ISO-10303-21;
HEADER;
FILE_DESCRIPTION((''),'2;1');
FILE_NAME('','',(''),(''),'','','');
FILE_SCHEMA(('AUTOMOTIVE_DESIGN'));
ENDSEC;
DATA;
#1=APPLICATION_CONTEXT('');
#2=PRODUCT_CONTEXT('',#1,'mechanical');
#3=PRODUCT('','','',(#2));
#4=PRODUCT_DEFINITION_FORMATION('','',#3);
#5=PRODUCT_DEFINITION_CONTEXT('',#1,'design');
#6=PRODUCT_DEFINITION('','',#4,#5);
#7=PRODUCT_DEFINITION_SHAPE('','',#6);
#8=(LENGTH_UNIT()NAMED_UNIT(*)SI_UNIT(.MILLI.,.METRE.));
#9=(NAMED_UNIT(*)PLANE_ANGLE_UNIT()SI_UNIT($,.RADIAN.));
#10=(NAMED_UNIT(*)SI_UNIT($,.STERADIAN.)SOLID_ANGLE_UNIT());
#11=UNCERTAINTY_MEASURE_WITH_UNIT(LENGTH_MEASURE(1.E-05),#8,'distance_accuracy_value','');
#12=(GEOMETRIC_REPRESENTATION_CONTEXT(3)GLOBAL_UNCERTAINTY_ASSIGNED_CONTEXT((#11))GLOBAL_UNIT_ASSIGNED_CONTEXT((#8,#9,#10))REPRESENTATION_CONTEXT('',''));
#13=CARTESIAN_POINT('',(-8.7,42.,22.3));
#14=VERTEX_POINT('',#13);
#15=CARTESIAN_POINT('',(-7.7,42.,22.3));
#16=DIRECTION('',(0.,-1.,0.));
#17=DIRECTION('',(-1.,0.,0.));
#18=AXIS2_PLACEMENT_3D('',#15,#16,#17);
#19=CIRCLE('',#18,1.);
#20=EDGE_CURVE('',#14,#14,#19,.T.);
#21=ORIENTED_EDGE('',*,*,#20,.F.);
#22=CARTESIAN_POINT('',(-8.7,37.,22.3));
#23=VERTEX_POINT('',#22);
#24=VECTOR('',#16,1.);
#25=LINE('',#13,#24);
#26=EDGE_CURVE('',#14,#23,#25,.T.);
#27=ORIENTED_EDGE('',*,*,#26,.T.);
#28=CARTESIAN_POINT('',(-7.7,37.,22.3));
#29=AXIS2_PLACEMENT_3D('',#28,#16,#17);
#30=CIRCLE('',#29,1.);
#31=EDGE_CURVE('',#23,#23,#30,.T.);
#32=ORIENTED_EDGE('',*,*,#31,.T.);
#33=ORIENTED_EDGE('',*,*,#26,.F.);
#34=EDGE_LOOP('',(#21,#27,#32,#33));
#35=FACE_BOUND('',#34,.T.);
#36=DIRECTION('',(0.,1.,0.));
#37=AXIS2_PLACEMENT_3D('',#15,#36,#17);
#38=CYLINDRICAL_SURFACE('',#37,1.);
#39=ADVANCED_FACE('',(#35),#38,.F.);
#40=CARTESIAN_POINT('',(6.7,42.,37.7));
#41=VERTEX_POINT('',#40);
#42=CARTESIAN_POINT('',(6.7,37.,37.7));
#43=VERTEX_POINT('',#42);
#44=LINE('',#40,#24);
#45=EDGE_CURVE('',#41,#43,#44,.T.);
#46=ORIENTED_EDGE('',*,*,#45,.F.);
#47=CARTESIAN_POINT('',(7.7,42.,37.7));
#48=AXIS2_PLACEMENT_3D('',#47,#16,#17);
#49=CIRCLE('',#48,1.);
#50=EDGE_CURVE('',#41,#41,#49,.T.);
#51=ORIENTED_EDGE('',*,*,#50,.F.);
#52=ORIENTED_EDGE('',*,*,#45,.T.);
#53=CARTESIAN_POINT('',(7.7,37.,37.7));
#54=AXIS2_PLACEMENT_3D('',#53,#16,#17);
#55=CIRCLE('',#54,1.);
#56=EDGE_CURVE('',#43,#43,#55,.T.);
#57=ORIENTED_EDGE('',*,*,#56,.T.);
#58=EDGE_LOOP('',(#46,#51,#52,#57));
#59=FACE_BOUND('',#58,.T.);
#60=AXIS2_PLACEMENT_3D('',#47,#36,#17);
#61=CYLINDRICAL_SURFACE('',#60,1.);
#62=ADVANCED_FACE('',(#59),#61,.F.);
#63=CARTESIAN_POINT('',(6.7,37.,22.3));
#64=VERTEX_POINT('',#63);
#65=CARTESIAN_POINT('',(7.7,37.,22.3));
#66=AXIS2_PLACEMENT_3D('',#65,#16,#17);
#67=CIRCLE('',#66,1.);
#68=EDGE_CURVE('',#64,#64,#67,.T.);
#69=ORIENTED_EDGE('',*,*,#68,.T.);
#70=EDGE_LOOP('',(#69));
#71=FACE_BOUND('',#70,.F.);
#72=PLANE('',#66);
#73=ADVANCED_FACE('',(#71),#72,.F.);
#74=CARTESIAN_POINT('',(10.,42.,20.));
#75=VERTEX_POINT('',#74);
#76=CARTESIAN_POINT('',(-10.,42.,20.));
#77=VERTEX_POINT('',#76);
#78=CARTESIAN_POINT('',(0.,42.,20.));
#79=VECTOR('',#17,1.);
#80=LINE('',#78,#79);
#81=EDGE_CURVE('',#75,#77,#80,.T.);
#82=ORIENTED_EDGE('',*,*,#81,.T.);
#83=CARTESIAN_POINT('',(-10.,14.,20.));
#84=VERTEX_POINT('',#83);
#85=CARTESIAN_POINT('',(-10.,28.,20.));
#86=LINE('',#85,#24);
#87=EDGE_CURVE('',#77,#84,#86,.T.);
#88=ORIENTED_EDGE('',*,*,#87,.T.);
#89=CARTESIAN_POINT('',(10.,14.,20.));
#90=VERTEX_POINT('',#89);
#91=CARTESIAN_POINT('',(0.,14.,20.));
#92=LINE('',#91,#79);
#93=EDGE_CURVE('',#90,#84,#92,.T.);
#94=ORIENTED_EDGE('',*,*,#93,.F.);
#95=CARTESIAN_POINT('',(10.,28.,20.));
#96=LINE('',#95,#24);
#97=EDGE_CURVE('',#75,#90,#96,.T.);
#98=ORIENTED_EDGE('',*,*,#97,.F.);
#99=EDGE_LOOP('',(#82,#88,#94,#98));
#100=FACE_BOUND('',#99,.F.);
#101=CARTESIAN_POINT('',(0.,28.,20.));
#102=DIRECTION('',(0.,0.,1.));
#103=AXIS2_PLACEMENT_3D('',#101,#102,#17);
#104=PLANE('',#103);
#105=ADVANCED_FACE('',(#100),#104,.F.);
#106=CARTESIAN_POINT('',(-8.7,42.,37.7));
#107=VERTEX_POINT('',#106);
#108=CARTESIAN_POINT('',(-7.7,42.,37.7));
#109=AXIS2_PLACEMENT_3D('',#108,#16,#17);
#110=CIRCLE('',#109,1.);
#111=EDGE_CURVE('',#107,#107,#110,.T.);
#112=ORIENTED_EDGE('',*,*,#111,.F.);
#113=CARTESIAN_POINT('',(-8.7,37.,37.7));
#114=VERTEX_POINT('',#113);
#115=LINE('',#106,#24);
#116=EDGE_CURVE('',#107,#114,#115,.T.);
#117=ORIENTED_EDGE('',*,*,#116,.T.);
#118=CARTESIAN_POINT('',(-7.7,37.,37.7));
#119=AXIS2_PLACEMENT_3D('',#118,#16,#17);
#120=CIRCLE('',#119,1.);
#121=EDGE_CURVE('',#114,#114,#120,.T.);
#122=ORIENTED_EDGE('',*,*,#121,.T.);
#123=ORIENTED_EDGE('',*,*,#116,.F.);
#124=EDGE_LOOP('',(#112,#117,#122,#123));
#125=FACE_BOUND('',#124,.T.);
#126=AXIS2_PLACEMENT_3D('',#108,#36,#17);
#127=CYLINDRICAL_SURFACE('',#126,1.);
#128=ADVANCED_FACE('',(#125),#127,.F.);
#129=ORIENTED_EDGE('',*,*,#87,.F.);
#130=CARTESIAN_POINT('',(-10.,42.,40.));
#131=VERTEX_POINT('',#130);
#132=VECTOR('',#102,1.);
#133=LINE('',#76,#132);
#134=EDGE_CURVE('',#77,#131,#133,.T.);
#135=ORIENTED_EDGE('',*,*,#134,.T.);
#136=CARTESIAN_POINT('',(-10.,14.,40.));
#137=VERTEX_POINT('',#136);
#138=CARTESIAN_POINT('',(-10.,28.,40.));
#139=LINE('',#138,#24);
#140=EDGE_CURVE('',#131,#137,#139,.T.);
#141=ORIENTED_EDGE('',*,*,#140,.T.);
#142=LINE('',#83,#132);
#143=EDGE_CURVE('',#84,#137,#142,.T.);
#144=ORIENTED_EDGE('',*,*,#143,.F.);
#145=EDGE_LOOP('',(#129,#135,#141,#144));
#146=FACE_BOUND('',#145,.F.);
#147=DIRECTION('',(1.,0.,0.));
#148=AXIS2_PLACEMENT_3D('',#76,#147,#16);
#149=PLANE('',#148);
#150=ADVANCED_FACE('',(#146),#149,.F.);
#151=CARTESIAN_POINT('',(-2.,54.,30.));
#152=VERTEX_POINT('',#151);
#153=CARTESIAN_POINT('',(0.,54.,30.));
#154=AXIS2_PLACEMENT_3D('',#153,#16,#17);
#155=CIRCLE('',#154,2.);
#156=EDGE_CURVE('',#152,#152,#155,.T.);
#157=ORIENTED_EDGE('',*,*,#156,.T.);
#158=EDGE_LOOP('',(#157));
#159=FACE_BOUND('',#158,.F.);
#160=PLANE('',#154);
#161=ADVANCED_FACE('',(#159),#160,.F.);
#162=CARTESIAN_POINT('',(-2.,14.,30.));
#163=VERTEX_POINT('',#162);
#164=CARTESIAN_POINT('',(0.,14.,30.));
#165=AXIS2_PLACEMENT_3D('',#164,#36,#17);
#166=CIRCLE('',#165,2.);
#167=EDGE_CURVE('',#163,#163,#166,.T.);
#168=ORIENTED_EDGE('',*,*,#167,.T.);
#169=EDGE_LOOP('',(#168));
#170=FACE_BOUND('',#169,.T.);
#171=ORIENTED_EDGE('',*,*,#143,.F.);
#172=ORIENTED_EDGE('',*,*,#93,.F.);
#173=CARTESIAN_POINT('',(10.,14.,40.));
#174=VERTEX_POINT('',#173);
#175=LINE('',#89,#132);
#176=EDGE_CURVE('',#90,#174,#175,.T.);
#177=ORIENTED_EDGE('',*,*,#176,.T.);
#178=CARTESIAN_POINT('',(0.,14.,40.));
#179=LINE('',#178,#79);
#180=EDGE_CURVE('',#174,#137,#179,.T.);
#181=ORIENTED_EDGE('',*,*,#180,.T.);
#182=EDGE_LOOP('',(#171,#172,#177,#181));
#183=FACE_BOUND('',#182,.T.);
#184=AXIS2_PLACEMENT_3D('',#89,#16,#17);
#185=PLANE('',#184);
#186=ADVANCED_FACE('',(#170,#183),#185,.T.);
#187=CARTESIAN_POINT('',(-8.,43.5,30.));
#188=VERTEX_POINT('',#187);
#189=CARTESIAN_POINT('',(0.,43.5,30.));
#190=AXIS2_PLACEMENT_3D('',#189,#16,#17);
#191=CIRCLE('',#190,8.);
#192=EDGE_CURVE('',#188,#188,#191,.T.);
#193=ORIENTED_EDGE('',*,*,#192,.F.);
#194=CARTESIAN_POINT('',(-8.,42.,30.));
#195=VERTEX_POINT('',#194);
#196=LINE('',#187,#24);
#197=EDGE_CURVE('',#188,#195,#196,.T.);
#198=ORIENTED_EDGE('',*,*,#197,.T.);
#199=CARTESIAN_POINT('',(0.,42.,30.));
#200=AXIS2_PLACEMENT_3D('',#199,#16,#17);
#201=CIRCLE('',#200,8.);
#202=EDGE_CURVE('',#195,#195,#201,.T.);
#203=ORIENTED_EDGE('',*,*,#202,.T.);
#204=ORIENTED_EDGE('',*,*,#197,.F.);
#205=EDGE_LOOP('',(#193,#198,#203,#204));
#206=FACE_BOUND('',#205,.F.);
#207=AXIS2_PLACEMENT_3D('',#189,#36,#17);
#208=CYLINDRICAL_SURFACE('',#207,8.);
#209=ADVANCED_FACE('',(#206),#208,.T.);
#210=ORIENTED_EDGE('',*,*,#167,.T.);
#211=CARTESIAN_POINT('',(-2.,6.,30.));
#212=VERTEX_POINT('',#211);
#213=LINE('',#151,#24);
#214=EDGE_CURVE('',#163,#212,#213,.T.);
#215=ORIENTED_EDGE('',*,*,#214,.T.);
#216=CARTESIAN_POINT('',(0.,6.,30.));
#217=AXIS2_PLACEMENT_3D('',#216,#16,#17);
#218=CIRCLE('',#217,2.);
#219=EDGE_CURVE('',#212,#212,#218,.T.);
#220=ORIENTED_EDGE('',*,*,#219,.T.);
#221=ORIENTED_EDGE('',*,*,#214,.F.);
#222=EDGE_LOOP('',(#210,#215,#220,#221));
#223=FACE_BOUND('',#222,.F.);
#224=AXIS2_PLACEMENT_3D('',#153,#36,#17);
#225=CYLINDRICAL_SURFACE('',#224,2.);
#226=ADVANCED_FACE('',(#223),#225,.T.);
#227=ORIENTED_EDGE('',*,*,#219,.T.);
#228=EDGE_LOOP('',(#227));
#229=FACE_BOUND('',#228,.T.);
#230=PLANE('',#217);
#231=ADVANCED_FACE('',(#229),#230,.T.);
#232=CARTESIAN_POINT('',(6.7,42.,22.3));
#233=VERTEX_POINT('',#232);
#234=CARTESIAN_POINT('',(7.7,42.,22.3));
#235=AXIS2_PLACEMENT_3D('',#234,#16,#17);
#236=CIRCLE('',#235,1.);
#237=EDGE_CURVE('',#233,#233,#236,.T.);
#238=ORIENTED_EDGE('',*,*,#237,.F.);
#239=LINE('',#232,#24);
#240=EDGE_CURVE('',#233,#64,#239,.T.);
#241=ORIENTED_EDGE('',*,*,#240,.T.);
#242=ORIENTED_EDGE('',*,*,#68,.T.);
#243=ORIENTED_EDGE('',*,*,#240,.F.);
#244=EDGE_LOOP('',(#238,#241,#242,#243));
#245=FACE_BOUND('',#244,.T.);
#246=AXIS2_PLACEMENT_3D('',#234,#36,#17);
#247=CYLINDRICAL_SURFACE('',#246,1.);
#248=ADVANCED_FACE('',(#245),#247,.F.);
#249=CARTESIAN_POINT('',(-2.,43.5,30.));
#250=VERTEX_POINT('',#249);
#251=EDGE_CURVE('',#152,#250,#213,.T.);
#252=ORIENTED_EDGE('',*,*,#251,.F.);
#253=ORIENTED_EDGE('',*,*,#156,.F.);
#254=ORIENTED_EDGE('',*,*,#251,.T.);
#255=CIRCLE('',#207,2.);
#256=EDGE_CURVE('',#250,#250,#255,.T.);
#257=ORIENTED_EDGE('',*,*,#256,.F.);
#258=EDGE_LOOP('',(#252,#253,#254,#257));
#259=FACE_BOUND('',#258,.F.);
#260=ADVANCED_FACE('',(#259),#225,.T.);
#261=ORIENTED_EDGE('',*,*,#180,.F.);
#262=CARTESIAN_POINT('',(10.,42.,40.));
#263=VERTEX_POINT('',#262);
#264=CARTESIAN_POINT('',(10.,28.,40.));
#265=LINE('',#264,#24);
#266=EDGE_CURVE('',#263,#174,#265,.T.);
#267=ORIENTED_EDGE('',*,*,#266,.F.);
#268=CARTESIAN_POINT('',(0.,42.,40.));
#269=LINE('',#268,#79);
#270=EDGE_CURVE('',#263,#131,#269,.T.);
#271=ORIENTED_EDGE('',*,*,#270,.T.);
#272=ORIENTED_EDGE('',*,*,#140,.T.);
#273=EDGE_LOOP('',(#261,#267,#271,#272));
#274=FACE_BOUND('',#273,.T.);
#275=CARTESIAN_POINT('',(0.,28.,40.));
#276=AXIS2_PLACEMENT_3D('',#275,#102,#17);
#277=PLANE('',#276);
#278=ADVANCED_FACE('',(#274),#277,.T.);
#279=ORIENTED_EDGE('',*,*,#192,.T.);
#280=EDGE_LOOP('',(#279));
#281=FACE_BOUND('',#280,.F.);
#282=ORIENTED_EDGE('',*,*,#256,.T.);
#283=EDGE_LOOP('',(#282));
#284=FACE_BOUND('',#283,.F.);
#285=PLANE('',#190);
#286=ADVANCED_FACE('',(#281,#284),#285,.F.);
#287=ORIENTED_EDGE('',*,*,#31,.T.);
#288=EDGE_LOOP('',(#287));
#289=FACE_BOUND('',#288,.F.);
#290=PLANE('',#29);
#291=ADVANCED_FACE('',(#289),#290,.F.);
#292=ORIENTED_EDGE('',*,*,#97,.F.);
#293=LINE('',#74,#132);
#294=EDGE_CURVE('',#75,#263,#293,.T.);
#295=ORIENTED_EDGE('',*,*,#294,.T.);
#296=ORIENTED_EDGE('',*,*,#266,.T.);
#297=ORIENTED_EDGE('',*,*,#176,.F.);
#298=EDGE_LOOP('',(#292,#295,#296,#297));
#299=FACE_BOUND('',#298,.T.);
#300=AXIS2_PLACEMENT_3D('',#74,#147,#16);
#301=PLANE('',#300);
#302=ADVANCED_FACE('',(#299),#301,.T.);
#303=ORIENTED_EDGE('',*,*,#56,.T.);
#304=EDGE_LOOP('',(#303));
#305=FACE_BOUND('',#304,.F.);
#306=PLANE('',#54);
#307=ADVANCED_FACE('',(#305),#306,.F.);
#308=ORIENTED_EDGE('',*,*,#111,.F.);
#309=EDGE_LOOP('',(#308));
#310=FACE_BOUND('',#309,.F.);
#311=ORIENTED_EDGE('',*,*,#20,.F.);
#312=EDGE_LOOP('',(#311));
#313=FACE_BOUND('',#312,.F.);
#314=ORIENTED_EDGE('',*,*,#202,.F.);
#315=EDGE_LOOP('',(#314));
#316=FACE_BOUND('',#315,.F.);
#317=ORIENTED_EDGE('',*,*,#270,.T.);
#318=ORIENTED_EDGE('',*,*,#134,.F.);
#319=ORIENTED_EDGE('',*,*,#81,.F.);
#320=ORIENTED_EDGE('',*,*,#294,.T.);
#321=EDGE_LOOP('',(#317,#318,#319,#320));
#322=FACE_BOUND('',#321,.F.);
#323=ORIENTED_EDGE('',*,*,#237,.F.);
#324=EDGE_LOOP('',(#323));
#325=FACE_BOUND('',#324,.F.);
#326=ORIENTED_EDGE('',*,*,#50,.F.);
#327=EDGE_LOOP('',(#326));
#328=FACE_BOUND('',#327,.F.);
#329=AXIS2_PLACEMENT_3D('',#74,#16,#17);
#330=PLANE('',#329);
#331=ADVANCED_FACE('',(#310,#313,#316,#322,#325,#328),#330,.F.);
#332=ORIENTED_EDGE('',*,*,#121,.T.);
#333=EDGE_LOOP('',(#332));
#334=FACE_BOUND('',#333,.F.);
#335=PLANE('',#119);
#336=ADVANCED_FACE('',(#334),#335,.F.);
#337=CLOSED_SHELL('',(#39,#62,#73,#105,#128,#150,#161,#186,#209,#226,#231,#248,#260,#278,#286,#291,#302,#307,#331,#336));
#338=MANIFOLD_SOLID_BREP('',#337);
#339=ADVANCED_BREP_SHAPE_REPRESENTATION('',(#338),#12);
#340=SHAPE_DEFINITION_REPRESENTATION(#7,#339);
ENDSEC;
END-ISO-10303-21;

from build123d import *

# Parameters (mm, degrees)
CYLINDER009_R          = 1
CYLINDER009_DEPTH      = 5
CYLINDER010_R          = 1
CYLINDER010_DEPTH      = 5
CYLINDER011_R          = 1
CYLINDER011_DEPTH      = 5
CYLINDER008_R          = 1
CYLINDER008_DEPTH      = 5
CYLINDER007_R          = 8
CYLINDER007_DEPTH      = 1.5
CYLINDER013_R          = 2
CYLINDER013_DEPTH      = 48
BOX001_W               = 20
BOX001_H               = 28
BOX001_DEPTH           = 20
CUT001_PLACEMENT_ANGLE = 180


with BuildPart() as cylinder009:
    # Cylinder009 → Cylinder009 (new body)
    with BuildSketch(Plane(origin=(-7.7, 0, 7.7), x_dir=(1, 0, 0), z_dir=(0, 1, 0))):
        Circle(CYLINDER009_R)
    extrude(amount=CYLINDER009_DEPTH)


with BuildPart() as cylinder010:
    # Cylinder010 → Cylinder010 (new body)
    with BuildSketch(Plane(origin=(7.7, 0, -7.7), x_dir=(1, 0, 0), z_dir=(0, 1, 0))):
        Circle(CYLINDER010_R)
    extrude(amount=CYLINDER010_DEPTH)


with BuildPart() as cylinder011:
    # Cylinder011 → Cylinder011 (new body)
    with BuildSketch(Plane(origin=(7.7, 0, 7.7), x_dir=(1, 0, 0), z_dir=(0, 1, 0))):
        Circle(CYLINDER011_R)
    extrude(amount=CYLINDER011_DEPTH)


with BuildPart() as fusion004:
    # Cylinder008 → Cylinder008 (new body)
    with BuildSketch(Plane(origin=(-7.7, 0, -7.7), x_dir=(1, 0, 0), z_dir=(0, 1, 0))):
        Circle(CYLINDER008_R)
    extrude(amount=CYLINDER008_DEPTH)

    # Fusion004: union Cylinder009, Cylinder010, Cylinder011
    add(cylinder009.part)
    add(cylinder010.part)
    add(cylinder011.part)


with BuildPart() as cylinder007:
    # Cylinder007 → Cylinder007 (new body)
    with BuildSketch(Plane(origin=(0, -1.5, 0), x_dir=(1, 0, 0), z_dir=(0, 1, 0))):
        Circle(CYLINDER007_R)
    extrude(amount=CYLINDER007_DEPTH)


with BuildPart() as cylinder013:
    # Cylinder013 → Cylinder013 (new body)
    with BuildSketch(Plane(origin=(0, -12, 0), x_dir=(1, 0, 0), z_dir=(0, 1, 0))):
        Circle(CYLINDER013_R)
    extrude(amount=CYLINDER013_DEPTH)


with BuildPart() as doubleshaftstepper:
    # Box001 → Box001 (new body)
    with BuildSketch(Plane(origin=(-10, 0, -10), x_dir=(1, 0, 0), z_dir=(0, 0, 1))):
        with Locations((10, 14)):
            Rectangle(BOX001_W, BOX001_H)
    extrude(amount=BOX001_DEPTH)

    # Fusion003: union Cylinder007, Cylinder013
    add(cylinder007.part)
    add(cylinder013.part)

    # Cut001: cut Fusion004
    add(fusion004.part, mode=Mode.SUBTRACT)


with BuildPart() as doubleshaftstepper_1:
    # Cut001 placement: moved
    add(doubleshaftstepper.part.moved(Location((0, 42, 30))).rotate(Axis((0, 42, 30), (0, 0, 1)), CUT001_PLACEMENT_ANGLE))


solid = doubleshaftstepper_1.part
